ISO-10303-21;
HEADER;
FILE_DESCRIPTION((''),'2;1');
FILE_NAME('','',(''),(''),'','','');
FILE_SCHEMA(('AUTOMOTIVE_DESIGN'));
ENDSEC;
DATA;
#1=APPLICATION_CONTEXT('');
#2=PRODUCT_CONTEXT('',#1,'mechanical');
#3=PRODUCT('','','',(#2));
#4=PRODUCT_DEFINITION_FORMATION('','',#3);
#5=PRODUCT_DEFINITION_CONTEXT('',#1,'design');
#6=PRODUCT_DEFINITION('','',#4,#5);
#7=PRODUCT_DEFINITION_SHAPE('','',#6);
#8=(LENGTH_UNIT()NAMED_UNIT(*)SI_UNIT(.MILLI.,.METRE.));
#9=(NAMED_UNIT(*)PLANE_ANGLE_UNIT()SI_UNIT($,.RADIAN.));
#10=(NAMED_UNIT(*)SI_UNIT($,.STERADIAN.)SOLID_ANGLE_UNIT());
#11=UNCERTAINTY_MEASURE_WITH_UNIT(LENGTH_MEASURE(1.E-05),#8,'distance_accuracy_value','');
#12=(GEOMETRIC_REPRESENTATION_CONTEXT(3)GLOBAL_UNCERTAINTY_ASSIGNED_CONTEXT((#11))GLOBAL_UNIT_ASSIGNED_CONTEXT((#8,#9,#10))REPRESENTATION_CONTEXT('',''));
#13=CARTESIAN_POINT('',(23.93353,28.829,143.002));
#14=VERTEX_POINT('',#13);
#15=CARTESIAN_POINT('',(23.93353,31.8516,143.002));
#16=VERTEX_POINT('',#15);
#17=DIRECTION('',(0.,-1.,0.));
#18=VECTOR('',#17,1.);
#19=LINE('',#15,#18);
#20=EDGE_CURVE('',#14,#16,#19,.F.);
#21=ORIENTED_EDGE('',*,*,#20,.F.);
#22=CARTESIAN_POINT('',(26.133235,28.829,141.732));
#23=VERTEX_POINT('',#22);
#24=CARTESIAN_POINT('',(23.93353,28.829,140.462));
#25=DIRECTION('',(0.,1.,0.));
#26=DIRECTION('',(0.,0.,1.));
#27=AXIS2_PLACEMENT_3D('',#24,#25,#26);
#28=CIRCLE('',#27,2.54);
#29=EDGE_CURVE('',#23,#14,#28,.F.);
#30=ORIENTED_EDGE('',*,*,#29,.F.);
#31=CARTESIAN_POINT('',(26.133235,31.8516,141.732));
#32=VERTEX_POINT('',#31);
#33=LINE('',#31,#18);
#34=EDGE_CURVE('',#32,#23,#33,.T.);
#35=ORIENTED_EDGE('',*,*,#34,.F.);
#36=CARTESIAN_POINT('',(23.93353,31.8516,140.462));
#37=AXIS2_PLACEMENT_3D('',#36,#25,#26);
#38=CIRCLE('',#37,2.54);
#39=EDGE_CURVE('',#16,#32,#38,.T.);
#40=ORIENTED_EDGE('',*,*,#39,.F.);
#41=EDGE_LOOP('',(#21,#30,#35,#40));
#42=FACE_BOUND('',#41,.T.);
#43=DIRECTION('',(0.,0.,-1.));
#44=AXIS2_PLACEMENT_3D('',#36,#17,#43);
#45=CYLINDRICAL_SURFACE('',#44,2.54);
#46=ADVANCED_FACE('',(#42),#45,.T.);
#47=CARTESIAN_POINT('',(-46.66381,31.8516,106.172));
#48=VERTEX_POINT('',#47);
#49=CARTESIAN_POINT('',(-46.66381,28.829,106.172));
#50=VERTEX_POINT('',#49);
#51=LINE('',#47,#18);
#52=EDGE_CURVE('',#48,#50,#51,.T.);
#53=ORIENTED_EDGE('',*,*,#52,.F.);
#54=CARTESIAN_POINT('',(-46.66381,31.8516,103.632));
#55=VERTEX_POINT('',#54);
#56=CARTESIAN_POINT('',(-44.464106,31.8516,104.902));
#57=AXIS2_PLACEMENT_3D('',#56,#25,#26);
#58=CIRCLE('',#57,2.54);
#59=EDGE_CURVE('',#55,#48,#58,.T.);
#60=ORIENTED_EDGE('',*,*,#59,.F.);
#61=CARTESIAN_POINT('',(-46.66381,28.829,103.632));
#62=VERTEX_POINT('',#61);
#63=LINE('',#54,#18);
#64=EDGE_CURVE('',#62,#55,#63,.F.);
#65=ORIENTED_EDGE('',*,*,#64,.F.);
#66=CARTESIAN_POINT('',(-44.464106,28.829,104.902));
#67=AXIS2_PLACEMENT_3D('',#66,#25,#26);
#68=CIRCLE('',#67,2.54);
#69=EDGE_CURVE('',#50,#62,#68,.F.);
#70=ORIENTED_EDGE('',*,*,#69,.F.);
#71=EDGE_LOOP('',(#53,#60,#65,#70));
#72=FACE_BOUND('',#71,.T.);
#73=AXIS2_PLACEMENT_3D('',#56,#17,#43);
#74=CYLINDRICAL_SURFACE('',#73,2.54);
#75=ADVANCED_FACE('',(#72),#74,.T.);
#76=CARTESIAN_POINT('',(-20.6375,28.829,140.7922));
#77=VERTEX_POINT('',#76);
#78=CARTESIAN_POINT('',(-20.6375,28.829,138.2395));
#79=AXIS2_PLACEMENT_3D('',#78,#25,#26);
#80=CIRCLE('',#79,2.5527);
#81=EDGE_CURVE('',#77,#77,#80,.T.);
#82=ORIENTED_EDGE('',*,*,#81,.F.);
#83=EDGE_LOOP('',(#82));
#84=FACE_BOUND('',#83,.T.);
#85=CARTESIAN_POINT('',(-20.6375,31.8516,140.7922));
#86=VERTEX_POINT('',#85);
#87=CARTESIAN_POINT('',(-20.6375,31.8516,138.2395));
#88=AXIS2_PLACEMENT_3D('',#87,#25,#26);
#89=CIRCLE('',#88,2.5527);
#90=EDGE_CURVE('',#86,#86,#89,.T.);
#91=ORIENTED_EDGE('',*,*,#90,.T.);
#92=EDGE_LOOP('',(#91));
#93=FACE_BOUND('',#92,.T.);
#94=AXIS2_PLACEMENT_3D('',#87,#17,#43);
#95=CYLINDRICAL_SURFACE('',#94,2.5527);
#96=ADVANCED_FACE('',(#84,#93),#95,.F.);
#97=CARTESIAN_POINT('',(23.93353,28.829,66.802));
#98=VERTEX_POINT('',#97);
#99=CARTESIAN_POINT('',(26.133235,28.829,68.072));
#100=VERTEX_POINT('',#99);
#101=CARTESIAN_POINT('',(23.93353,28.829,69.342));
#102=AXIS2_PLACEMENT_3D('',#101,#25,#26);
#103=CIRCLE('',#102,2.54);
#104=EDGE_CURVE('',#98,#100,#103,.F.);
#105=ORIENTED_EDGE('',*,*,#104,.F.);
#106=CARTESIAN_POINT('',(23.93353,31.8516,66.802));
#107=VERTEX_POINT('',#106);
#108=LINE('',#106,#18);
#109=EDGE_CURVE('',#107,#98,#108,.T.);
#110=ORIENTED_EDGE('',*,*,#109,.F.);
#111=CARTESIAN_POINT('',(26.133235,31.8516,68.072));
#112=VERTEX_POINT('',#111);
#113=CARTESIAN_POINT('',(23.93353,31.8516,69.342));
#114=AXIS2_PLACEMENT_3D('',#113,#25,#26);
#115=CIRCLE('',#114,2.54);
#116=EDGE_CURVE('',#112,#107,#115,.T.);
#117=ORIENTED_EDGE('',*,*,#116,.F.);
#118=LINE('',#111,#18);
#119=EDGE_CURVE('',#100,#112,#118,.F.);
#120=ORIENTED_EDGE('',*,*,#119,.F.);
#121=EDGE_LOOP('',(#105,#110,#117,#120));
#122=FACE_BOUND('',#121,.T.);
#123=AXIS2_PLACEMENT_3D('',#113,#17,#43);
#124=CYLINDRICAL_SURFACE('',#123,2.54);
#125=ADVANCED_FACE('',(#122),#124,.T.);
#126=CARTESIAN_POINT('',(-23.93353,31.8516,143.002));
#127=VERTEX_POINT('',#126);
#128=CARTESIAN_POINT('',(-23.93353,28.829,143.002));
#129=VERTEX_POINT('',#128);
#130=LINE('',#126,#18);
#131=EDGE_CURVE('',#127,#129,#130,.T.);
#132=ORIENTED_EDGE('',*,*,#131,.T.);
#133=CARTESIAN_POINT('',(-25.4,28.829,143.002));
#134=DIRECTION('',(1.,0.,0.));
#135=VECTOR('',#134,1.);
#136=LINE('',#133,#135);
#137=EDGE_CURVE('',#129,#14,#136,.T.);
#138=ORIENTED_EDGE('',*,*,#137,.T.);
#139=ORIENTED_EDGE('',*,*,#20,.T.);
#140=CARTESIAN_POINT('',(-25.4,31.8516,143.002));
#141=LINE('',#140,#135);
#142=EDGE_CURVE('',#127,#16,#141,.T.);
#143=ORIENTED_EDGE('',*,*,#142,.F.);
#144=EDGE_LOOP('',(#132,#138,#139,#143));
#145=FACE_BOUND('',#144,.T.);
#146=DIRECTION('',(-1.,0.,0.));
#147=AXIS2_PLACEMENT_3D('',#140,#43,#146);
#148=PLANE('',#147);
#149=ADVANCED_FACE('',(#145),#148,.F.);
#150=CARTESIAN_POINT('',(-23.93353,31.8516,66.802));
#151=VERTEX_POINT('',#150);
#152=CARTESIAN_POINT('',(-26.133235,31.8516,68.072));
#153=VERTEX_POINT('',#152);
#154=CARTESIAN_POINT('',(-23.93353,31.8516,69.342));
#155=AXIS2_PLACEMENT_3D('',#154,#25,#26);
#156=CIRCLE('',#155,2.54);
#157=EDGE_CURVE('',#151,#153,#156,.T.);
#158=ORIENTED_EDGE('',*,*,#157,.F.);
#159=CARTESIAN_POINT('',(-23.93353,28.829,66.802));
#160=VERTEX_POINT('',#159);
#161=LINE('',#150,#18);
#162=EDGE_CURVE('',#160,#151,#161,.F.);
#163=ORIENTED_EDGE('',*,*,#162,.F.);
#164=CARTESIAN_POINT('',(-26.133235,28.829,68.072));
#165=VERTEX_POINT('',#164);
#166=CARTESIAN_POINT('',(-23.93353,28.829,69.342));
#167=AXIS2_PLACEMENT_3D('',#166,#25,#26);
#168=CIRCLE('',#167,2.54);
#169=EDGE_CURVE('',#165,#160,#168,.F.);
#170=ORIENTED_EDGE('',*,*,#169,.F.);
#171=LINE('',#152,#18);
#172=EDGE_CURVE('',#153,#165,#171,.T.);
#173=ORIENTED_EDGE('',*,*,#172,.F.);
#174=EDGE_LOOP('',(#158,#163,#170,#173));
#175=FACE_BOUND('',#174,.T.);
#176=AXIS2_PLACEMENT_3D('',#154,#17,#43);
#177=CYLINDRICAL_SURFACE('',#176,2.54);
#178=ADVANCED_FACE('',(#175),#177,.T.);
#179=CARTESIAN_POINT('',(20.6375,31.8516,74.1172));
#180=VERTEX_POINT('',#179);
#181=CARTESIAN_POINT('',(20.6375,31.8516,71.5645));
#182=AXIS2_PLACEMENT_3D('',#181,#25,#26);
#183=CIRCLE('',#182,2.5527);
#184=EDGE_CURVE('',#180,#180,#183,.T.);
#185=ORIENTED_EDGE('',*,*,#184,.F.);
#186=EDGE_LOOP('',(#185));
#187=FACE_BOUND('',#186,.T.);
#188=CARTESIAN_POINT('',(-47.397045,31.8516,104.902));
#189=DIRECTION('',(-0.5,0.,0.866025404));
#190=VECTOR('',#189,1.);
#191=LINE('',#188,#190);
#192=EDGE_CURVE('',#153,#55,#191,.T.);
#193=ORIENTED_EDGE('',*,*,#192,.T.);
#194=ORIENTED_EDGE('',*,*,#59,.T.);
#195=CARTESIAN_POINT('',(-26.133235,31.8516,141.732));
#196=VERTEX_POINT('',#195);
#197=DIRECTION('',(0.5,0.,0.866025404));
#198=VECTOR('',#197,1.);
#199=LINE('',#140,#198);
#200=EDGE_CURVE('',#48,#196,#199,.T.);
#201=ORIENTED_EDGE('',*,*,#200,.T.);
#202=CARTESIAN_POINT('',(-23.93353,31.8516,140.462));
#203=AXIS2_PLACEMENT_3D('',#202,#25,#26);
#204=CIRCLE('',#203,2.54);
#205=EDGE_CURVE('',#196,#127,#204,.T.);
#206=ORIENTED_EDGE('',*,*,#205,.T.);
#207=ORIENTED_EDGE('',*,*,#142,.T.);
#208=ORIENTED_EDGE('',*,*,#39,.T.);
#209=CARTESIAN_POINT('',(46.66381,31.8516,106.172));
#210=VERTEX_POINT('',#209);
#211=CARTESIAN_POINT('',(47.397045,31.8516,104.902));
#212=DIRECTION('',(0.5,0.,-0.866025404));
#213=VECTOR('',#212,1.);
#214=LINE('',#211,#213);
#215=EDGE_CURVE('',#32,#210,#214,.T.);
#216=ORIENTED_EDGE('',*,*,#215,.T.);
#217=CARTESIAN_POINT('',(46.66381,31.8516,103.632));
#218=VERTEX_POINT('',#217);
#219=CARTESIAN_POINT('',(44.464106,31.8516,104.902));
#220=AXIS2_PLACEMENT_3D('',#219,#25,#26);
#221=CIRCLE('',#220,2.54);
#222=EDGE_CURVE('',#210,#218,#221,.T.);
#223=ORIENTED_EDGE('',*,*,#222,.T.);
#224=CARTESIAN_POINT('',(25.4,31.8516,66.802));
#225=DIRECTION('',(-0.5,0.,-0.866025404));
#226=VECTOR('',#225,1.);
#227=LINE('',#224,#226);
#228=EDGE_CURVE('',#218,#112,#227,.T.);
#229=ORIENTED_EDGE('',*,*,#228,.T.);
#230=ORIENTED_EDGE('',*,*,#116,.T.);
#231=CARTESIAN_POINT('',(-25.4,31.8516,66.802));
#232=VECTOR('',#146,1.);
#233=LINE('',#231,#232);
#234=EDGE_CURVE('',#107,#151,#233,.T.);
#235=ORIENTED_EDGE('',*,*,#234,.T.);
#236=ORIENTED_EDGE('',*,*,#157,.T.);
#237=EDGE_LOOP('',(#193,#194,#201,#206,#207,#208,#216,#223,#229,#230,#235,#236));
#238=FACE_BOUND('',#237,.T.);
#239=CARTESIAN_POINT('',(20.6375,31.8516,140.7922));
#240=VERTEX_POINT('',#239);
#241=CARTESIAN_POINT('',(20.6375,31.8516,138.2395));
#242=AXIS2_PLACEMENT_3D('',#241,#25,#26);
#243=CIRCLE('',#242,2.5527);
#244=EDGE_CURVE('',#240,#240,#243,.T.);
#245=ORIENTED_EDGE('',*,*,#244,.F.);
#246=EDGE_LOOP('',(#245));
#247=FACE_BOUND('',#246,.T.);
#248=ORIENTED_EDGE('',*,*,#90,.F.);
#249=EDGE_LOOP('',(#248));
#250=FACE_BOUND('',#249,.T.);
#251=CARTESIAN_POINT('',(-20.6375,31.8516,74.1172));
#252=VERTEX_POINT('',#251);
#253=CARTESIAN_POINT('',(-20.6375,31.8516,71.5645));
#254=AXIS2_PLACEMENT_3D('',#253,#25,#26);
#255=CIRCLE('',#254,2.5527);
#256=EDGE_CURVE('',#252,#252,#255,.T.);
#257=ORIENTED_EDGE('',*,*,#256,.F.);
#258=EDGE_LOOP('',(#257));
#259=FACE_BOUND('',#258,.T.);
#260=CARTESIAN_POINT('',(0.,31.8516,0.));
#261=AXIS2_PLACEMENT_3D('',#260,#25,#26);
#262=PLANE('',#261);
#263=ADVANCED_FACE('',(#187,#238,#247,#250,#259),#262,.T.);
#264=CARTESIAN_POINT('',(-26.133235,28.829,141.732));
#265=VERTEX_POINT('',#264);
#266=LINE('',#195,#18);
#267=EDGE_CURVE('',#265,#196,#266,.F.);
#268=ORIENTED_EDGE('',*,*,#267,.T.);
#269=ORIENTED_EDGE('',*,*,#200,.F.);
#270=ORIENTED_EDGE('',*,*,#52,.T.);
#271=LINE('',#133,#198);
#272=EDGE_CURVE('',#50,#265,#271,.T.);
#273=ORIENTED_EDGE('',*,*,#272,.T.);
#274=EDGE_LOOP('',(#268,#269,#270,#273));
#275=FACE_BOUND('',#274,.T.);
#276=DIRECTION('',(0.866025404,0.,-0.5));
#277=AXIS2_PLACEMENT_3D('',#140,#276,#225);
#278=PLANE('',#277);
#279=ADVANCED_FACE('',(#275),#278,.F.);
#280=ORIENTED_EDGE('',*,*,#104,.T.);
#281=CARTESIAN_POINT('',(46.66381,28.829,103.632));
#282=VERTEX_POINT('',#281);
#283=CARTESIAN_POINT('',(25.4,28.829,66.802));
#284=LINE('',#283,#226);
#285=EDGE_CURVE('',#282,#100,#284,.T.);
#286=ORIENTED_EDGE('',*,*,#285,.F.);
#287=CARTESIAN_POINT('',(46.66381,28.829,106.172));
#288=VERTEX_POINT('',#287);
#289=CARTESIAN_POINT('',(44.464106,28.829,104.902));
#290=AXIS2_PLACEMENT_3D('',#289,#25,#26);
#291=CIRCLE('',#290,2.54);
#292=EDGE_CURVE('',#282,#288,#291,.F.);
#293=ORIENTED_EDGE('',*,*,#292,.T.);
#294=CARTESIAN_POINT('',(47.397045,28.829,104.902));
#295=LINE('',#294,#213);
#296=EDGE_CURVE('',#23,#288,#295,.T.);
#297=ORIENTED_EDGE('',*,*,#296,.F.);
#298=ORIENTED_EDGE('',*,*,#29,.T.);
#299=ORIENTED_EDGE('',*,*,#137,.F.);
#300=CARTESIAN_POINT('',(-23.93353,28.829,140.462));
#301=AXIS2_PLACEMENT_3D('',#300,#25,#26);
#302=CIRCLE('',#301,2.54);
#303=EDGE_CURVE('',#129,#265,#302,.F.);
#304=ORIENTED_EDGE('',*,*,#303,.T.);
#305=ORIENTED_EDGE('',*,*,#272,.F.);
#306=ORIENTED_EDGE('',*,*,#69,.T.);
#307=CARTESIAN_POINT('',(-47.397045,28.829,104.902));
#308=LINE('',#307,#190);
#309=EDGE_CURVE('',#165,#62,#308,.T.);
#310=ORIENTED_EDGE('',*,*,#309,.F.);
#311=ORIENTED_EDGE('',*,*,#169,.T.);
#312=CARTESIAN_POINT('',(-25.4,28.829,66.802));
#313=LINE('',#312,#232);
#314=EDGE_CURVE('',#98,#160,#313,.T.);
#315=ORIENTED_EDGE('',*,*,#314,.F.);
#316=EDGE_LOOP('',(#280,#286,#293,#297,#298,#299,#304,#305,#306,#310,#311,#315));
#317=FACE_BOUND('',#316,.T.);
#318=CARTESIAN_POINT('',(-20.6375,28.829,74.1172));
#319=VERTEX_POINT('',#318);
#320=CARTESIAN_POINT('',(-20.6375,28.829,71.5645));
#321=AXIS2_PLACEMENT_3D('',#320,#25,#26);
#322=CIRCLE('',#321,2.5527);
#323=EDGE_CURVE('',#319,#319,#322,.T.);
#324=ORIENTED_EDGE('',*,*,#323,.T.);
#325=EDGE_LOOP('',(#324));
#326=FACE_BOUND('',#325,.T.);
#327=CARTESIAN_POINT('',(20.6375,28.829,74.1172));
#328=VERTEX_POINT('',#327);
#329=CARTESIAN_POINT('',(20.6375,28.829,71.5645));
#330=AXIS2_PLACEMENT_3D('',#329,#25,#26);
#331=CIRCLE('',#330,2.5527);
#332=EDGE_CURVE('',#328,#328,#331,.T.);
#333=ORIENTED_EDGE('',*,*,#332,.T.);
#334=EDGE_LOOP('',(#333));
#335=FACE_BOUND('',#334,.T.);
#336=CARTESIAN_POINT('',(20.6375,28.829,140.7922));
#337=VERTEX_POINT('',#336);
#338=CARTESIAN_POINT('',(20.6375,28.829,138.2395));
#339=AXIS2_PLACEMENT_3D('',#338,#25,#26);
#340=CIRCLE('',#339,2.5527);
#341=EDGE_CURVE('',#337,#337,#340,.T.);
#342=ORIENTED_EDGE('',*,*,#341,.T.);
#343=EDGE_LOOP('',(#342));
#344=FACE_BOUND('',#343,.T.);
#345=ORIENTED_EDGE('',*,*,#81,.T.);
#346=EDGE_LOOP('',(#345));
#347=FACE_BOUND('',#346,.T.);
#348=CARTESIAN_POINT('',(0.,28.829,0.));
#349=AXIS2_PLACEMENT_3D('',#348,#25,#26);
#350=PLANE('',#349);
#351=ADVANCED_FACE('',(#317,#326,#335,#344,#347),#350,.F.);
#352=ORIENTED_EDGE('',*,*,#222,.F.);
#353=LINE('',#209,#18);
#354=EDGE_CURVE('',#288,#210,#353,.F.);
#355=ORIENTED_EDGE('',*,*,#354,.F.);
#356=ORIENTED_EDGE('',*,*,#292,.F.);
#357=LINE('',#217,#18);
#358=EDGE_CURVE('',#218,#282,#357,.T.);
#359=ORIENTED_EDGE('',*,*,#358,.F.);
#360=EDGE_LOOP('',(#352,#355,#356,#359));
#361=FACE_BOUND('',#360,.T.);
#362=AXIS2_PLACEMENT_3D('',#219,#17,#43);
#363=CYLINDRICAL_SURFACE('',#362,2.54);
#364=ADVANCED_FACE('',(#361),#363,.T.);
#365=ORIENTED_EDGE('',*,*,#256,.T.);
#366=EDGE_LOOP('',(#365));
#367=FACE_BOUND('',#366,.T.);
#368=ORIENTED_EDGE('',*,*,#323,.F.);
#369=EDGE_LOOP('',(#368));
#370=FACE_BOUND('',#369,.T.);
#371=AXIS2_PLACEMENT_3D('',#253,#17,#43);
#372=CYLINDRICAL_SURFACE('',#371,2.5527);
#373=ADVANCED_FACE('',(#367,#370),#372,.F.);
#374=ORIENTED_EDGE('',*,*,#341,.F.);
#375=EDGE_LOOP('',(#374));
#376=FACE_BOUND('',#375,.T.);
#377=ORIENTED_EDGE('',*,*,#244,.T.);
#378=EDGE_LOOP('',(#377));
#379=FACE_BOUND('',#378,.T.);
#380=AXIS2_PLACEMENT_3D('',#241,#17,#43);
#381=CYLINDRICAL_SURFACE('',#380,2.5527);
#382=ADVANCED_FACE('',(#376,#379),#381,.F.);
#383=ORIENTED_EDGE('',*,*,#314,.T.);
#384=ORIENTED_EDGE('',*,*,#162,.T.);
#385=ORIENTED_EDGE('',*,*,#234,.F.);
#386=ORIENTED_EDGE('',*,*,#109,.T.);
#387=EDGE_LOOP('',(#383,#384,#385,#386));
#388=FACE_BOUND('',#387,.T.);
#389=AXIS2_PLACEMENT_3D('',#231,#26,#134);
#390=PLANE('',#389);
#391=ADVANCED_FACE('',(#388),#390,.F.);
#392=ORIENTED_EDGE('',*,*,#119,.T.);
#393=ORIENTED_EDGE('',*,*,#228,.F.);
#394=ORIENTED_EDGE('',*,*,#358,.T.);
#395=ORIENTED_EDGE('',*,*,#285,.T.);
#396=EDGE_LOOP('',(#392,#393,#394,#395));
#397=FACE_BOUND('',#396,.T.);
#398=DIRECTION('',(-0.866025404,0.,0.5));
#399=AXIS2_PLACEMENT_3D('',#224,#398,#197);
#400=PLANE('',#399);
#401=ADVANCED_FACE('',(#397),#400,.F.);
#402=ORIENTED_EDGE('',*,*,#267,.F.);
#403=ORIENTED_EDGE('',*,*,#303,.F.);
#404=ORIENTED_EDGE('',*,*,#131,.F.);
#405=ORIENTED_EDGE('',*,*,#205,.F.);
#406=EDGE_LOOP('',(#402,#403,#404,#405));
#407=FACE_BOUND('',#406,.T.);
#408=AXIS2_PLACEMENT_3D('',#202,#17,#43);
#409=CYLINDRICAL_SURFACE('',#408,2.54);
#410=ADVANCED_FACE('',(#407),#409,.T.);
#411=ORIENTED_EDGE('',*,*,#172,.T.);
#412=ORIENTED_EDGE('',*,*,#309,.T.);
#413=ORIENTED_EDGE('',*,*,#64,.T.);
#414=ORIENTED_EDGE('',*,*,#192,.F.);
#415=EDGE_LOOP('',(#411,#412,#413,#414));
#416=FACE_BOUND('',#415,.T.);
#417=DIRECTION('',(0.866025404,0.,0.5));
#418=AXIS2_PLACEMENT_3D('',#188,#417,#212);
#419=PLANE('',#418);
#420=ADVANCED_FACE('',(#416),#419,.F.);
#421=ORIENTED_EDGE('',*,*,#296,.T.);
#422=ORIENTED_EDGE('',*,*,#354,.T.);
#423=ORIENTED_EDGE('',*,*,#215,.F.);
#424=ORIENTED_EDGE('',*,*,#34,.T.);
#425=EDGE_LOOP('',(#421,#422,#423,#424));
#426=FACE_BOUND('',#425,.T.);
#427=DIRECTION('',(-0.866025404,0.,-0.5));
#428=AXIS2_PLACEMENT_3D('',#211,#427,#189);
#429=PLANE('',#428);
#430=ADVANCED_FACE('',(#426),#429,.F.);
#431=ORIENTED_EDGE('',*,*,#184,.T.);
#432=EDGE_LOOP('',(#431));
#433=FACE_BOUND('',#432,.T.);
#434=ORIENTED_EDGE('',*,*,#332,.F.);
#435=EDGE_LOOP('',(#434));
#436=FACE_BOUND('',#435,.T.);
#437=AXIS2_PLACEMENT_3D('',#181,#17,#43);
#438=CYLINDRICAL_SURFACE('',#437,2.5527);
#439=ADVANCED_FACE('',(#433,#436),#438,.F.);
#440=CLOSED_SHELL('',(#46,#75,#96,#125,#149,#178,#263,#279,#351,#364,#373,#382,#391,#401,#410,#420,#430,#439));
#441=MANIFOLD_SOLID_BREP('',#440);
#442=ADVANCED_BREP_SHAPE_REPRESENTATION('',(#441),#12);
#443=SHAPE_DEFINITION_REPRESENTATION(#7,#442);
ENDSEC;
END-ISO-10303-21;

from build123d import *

# Parameters (mm, degrees)
SKETCH87_R                 = 2.5527
ACCESS_PANEL_EXTRUDE_DEPTH = 3.0226
FILLET25_R                 = 2.54


with BuildPart() as part:
    # Sketch87 → Access Panel Extrude (new body)
    with BuildSketch(Plane(origin=(0, 28.829, 0), x_dir=(1, 0, 0), z_dir=(0, 1, 0))):
        Polygon((-25.4, -66.802), (25.4, -66.802), (47.397045256, -104.902), (25.4, -143.002), (-25.4, -143.002), (-47.397045256, -104.902), align=None)
        with Locations((-20.6375, -71.5645)):
            Circle(SKETCH87_R, mode=Mode.SUBTRACT)
        with Locations((20.6375, -71.5645)):
            Circle(SKETCH87_R, mode=Mode.SUBTRACT)
        with Locations((-20.6375, -138.2395)):
            Circle(SKETCH87_R, mode=Mode.SUBTRACT)
        with Locations((20.6375, -138.2395)):
            Circle(SKETCH87_R, mode=Mode.SUBTRACT)
    extrude(amount=ACCESS_PANEL_EXTRUDE_DEPTH)

    # Fillet25
    fillet25_edges = [part.edges().sort_by_distance(p)[0] for p in [
        (25.4, 30.3403, 143.002),
        (-25.4, 30.3403, 143.002),
        (-47.397045256, 30.3403, 104.902),
        (-25.4, 30.3403, 66.802),
        (25.4, 30.3403, 66.802),
        (47.397045256, 30.3403, 104.902),
    ]]
    fillet(fillet25_edges, radius=FILLET25_R)


solid = part.part
